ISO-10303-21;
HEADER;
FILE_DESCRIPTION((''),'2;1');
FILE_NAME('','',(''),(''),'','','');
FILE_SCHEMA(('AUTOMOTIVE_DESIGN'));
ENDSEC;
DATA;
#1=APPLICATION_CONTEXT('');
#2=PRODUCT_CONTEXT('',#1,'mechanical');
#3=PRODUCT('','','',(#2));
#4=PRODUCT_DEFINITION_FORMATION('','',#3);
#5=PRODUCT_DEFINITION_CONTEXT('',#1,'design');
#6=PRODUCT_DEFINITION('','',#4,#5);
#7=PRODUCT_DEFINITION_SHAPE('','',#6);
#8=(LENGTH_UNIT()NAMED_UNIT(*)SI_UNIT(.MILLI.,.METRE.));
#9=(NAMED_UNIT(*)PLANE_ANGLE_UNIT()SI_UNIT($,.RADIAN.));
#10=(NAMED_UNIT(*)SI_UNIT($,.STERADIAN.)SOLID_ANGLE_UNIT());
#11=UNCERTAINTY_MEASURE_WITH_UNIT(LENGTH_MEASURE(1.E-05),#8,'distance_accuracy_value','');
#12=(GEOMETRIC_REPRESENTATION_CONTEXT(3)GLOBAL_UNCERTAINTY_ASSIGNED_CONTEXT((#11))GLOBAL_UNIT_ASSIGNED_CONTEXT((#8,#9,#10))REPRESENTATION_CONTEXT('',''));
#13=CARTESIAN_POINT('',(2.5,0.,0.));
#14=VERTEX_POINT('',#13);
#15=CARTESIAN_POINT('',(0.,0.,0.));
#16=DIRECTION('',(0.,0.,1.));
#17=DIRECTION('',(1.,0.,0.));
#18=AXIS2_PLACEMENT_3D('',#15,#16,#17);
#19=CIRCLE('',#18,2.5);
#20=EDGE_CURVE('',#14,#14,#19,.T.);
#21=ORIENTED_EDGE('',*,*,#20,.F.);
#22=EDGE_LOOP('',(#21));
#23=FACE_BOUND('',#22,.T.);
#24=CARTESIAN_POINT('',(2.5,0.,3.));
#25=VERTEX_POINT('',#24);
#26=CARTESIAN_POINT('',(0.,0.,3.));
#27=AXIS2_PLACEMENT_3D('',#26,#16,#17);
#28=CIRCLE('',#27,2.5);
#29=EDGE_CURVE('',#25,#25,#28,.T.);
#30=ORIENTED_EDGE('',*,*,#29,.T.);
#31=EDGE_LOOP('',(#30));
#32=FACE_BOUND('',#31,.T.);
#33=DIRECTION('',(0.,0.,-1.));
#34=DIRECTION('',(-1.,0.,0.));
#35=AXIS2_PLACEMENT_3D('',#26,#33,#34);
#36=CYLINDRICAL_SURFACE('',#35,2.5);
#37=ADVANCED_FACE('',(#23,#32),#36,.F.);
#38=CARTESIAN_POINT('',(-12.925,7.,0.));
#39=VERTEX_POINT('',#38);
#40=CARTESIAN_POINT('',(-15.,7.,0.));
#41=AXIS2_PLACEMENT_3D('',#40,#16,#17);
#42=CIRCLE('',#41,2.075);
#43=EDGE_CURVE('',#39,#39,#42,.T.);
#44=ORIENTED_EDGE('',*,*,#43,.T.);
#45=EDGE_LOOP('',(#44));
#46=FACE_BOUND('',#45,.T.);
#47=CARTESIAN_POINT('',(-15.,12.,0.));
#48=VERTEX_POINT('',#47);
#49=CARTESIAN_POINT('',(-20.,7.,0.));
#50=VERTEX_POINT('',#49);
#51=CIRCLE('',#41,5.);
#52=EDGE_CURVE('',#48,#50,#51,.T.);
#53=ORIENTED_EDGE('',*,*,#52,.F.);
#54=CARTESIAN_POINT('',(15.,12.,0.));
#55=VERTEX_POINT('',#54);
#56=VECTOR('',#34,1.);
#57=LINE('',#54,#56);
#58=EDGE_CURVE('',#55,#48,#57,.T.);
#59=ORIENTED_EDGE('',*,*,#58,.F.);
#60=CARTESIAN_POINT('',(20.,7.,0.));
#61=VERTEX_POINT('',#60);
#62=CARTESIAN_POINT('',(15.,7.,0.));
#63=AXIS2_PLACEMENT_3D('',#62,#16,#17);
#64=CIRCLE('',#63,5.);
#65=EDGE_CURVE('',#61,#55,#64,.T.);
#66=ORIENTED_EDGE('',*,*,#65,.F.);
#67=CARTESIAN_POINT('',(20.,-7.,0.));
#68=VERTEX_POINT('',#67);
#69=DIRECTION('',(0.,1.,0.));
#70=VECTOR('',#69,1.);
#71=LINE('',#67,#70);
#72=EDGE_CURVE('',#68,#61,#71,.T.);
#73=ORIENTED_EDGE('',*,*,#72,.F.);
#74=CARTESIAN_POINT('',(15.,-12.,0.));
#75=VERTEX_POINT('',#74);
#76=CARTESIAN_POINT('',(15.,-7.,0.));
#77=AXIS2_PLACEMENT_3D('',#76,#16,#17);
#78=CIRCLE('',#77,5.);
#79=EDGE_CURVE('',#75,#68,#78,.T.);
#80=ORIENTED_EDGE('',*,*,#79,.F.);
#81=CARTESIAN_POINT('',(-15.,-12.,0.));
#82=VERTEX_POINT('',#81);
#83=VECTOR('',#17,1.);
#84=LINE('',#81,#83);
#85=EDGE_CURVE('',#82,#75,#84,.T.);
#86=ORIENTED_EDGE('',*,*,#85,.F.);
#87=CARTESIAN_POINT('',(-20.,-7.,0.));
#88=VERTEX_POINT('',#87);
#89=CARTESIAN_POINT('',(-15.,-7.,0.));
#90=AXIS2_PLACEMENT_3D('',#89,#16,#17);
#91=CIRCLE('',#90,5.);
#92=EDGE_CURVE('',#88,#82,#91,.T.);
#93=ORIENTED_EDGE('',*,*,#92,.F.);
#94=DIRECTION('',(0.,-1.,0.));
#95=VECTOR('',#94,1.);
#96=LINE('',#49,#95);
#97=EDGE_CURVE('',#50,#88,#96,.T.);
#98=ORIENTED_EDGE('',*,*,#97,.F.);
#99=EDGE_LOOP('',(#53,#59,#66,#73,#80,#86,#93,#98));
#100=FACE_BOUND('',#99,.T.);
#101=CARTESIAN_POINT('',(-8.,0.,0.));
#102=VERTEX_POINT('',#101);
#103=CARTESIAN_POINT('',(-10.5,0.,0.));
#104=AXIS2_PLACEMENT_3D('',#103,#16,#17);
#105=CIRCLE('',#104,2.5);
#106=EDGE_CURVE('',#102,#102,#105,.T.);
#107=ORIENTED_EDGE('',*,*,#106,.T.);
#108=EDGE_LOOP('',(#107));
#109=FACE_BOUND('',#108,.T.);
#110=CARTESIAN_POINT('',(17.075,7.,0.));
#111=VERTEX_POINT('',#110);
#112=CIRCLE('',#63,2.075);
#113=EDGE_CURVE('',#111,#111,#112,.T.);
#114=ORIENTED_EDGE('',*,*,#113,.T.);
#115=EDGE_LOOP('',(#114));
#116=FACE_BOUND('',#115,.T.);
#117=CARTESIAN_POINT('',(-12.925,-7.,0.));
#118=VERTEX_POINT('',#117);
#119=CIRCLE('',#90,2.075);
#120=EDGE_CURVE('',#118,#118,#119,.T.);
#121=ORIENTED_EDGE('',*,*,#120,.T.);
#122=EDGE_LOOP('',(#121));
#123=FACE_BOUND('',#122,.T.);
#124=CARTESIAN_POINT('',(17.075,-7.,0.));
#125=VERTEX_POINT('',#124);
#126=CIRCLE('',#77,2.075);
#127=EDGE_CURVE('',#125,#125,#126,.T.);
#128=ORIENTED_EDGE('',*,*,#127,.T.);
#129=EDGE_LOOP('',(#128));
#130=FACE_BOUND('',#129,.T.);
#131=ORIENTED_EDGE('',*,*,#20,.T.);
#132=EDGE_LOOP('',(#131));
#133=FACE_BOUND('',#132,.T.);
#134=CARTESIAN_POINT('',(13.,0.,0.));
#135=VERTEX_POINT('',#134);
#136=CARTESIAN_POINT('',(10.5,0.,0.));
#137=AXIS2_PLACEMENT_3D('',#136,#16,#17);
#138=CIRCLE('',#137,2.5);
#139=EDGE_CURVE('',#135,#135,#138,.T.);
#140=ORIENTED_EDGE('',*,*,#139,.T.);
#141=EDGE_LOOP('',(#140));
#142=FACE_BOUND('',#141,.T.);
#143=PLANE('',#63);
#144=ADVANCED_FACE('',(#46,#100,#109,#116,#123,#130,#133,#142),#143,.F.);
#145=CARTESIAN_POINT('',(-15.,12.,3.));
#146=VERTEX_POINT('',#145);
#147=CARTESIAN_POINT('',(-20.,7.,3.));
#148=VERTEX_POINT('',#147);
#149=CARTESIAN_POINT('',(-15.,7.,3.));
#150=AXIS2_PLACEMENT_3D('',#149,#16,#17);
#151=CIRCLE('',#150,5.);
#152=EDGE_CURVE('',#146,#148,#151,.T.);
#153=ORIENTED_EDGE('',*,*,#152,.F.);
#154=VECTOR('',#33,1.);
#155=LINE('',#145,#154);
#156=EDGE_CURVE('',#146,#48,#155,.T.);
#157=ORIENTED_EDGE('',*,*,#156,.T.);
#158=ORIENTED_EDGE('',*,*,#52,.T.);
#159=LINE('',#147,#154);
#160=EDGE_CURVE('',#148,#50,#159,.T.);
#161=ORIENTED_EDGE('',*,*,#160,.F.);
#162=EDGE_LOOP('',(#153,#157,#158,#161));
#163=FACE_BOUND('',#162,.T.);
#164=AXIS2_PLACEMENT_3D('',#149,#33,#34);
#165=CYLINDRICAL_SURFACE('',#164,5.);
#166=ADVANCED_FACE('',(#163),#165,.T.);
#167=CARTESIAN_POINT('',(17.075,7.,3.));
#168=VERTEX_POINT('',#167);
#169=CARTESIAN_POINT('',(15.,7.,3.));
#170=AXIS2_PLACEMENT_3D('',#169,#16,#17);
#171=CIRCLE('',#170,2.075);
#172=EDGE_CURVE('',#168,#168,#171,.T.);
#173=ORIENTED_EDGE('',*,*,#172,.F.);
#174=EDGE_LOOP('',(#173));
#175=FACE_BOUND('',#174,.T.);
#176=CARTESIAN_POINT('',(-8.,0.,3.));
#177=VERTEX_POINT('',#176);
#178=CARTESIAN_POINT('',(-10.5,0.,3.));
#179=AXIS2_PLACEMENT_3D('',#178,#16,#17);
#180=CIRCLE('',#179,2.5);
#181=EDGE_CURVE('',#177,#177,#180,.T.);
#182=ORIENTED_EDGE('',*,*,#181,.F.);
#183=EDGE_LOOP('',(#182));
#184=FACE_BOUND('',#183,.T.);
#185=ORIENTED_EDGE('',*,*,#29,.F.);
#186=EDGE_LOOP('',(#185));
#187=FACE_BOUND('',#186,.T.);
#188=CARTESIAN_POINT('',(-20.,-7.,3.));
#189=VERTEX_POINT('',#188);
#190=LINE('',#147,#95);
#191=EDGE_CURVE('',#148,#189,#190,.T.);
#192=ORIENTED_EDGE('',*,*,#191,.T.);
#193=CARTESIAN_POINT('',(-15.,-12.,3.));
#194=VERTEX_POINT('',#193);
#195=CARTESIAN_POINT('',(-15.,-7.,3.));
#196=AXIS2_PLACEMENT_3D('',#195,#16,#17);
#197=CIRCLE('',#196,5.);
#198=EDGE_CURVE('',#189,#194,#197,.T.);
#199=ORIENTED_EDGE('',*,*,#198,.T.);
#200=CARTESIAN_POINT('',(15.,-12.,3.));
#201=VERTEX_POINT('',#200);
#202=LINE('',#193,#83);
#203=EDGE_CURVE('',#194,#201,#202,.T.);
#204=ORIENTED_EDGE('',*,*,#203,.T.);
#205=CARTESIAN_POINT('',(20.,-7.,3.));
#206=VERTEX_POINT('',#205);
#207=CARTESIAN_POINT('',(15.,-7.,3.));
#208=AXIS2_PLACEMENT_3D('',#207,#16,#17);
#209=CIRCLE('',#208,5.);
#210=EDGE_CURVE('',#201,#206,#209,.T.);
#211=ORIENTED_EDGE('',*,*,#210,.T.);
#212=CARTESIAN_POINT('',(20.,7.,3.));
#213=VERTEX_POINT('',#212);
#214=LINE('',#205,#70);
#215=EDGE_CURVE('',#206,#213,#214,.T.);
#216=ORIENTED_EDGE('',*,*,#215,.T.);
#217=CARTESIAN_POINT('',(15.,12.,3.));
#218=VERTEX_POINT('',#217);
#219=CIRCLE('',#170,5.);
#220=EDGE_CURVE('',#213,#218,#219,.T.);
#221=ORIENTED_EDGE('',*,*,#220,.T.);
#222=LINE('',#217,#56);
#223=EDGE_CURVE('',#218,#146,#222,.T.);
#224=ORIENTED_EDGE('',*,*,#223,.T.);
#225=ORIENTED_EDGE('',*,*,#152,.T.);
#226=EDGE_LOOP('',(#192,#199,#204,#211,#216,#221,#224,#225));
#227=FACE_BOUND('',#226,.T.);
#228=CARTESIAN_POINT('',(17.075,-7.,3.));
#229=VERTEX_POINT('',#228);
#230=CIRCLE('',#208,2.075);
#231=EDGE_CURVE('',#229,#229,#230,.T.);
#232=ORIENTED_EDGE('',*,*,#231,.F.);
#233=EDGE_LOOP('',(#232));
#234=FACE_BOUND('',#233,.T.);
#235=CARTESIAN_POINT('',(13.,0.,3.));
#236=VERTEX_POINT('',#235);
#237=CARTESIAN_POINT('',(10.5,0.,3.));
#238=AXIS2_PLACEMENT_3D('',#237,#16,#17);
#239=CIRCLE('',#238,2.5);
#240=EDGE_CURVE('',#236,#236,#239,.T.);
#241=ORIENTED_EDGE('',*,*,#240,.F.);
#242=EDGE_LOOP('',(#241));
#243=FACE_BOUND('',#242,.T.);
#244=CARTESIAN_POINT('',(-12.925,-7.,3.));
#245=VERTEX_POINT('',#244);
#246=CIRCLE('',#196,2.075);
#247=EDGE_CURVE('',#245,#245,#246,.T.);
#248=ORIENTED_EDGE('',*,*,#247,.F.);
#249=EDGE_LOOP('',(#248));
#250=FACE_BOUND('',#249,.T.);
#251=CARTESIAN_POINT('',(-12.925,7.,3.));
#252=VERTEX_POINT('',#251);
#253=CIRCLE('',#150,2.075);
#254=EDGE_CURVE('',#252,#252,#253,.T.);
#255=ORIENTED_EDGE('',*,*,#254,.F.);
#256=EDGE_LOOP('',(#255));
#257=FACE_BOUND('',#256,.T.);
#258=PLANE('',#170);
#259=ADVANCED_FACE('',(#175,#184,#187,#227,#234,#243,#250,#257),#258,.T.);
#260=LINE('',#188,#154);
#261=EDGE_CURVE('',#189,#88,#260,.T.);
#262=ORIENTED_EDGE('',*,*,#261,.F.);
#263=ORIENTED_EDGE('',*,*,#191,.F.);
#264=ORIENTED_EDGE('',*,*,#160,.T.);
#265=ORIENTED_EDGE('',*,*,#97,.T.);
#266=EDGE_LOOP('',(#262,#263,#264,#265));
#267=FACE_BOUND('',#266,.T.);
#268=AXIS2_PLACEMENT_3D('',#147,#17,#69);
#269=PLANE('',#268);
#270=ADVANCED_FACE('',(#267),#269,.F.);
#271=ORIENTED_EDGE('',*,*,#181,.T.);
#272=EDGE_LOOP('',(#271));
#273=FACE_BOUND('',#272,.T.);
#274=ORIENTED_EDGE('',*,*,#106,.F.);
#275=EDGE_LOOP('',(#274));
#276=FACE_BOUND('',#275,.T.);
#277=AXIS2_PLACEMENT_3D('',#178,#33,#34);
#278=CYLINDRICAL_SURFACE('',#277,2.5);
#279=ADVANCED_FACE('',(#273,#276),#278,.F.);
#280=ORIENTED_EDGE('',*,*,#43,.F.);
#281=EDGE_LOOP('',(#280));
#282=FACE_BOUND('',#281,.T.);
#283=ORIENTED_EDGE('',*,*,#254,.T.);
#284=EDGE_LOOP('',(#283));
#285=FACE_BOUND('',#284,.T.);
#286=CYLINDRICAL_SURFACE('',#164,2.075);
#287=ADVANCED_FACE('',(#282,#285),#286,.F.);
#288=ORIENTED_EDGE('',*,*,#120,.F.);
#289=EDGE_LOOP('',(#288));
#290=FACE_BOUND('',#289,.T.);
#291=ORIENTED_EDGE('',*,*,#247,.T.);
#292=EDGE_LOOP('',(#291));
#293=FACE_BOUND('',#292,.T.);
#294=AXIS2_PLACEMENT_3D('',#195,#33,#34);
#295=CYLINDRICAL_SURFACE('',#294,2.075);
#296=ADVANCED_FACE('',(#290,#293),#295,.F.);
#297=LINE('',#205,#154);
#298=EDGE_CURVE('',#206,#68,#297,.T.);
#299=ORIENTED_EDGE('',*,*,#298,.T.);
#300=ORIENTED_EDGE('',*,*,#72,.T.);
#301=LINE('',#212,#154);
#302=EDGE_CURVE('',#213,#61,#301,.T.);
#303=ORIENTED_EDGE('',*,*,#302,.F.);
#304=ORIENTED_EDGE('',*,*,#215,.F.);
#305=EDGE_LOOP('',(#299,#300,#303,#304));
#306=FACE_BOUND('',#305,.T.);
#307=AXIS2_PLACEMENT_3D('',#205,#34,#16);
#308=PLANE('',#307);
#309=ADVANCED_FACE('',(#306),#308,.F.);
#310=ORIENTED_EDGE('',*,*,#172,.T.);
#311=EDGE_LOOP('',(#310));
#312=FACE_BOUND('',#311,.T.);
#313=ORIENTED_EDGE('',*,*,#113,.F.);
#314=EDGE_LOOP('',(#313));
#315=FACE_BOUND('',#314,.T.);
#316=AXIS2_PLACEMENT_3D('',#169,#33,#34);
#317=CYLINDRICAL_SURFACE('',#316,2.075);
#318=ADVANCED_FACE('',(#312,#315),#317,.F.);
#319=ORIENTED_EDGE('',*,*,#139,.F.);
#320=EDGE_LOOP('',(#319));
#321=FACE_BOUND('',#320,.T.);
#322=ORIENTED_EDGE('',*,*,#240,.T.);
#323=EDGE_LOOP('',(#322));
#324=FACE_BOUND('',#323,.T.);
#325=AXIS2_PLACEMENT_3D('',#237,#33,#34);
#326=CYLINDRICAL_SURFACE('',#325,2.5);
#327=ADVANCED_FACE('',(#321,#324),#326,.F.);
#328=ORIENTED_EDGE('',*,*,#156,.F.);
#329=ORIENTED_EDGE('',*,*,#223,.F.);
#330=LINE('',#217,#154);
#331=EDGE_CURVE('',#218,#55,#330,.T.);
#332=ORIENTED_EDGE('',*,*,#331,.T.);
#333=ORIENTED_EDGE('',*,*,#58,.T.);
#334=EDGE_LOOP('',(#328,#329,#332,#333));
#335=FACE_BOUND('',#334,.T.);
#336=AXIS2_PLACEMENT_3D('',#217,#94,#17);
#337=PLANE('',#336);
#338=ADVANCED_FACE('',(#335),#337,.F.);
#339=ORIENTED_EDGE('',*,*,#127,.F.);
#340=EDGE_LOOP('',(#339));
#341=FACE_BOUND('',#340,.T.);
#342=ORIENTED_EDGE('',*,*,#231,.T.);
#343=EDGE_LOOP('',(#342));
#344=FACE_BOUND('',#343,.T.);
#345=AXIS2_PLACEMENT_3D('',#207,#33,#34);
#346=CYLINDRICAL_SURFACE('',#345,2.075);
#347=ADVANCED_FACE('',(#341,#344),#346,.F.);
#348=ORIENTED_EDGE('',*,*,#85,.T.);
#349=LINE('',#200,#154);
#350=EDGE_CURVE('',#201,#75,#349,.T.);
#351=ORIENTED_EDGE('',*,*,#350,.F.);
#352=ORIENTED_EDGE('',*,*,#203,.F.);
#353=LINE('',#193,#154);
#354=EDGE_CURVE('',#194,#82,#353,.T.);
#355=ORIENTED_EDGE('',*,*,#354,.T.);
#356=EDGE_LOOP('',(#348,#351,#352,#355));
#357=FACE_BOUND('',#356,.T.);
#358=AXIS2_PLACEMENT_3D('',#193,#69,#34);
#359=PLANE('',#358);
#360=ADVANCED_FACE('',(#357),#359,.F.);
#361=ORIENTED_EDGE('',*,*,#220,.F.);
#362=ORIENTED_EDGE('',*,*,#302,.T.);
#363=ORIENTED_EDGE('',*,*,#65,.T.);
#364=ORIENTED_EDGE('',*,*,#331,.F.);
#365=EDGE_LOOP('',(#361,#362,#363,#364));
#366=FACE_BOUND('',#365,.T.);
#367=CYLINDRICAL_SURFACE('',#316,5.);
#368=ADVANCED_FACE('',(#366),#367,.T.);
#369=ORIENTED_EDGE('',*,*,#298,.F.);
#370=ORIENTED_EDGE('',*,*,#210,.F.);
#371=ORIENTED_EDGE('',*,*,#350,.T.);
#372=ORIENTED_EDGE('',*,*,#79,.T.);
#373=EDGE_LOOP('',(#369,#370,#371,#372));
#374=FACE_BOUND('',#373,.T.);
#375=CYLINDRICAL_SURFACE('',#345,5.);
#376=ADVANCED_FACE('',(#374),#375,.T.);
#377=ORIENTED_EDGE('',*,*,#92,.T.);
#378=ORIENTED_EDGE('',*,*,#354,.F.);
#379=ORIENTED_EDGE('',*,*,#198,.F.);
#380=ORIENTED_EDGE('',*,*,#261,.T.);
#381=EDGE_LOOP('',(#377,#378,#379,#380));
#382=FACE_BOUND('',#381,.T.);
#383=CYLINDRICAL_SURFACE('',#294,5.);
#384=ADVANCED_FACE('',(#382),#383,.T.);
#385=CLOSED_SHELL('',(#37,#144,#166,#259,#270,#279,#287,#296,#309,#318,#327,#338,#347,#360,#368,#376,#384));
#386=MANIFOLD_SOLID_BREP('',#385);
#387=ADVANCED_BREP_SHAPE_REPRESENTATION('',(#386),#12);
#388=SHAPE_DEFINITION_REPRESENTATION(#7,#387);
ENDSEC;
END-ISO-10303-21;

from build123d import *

# Parameters (mm, degrees)
ESQUISSE1_R        = 2.5
ESQUISSE1_R_2      = 2.075
BOSS_EXTRU_1_DEPTH = 3


with BuildPart() as part:
    # Esquisse1 → Boss.-Extru.1 (new body)
    with BuildSketch(Plane.XY):
        with BuildLine():
            Line((20, -7), (20, 7))
            ThreePointArc((20, 7), (18.535533906, 10.535533906), (15, 12))
            Line((15, 12), (-14.999999553, 12))
            ThreePointArc((-14.999999553, 12), (-18.535533459, 10.535533906), (-20, 7))
            Line((-20, 7), (-20, -7))
            ThreePointArc((-20, -7), (-18.535533775, -10.535534222), (-14.999999553, -12))
            Line((-14.999999553, -12), (15, -12))
            ThreePointArc((15, -12), (18.535533906, -10.535533906), (20, -7))
        make_face()
        Circle(ESQUISSE1_R, mode=Mode.SUBTRACT)
        with Locations((-10.5, 0)):
            Circle(ESQUISSE1_R, mode=Mode.SUBTRACT)
        with Locations((10.5, 0)):
            Circle(ESQUISSE1_R, mode=Mode.SUBTRACT)
        with Locations((-14.999999553, 7)):
            Circle(ESQUISSE1_R_2, mode=Mode.SUBTRACT)
        with Locations((15, 7)):
            Circle(ESQUISSE1_R_2, mode=Mode.SUBTRACT)
        with Locations((15, -7)):
            Circle(ESQUISSE1_R_2, mode=Mode.SUBTRACT)
        with Locations((-14.999999553, -7)):
            Circle(ESQUISSE1_R_2, mode=Mode.SUBTRACT)
    extrude(amount=BOSS_EXTRU_1_DEPTH)


solid = part.part
